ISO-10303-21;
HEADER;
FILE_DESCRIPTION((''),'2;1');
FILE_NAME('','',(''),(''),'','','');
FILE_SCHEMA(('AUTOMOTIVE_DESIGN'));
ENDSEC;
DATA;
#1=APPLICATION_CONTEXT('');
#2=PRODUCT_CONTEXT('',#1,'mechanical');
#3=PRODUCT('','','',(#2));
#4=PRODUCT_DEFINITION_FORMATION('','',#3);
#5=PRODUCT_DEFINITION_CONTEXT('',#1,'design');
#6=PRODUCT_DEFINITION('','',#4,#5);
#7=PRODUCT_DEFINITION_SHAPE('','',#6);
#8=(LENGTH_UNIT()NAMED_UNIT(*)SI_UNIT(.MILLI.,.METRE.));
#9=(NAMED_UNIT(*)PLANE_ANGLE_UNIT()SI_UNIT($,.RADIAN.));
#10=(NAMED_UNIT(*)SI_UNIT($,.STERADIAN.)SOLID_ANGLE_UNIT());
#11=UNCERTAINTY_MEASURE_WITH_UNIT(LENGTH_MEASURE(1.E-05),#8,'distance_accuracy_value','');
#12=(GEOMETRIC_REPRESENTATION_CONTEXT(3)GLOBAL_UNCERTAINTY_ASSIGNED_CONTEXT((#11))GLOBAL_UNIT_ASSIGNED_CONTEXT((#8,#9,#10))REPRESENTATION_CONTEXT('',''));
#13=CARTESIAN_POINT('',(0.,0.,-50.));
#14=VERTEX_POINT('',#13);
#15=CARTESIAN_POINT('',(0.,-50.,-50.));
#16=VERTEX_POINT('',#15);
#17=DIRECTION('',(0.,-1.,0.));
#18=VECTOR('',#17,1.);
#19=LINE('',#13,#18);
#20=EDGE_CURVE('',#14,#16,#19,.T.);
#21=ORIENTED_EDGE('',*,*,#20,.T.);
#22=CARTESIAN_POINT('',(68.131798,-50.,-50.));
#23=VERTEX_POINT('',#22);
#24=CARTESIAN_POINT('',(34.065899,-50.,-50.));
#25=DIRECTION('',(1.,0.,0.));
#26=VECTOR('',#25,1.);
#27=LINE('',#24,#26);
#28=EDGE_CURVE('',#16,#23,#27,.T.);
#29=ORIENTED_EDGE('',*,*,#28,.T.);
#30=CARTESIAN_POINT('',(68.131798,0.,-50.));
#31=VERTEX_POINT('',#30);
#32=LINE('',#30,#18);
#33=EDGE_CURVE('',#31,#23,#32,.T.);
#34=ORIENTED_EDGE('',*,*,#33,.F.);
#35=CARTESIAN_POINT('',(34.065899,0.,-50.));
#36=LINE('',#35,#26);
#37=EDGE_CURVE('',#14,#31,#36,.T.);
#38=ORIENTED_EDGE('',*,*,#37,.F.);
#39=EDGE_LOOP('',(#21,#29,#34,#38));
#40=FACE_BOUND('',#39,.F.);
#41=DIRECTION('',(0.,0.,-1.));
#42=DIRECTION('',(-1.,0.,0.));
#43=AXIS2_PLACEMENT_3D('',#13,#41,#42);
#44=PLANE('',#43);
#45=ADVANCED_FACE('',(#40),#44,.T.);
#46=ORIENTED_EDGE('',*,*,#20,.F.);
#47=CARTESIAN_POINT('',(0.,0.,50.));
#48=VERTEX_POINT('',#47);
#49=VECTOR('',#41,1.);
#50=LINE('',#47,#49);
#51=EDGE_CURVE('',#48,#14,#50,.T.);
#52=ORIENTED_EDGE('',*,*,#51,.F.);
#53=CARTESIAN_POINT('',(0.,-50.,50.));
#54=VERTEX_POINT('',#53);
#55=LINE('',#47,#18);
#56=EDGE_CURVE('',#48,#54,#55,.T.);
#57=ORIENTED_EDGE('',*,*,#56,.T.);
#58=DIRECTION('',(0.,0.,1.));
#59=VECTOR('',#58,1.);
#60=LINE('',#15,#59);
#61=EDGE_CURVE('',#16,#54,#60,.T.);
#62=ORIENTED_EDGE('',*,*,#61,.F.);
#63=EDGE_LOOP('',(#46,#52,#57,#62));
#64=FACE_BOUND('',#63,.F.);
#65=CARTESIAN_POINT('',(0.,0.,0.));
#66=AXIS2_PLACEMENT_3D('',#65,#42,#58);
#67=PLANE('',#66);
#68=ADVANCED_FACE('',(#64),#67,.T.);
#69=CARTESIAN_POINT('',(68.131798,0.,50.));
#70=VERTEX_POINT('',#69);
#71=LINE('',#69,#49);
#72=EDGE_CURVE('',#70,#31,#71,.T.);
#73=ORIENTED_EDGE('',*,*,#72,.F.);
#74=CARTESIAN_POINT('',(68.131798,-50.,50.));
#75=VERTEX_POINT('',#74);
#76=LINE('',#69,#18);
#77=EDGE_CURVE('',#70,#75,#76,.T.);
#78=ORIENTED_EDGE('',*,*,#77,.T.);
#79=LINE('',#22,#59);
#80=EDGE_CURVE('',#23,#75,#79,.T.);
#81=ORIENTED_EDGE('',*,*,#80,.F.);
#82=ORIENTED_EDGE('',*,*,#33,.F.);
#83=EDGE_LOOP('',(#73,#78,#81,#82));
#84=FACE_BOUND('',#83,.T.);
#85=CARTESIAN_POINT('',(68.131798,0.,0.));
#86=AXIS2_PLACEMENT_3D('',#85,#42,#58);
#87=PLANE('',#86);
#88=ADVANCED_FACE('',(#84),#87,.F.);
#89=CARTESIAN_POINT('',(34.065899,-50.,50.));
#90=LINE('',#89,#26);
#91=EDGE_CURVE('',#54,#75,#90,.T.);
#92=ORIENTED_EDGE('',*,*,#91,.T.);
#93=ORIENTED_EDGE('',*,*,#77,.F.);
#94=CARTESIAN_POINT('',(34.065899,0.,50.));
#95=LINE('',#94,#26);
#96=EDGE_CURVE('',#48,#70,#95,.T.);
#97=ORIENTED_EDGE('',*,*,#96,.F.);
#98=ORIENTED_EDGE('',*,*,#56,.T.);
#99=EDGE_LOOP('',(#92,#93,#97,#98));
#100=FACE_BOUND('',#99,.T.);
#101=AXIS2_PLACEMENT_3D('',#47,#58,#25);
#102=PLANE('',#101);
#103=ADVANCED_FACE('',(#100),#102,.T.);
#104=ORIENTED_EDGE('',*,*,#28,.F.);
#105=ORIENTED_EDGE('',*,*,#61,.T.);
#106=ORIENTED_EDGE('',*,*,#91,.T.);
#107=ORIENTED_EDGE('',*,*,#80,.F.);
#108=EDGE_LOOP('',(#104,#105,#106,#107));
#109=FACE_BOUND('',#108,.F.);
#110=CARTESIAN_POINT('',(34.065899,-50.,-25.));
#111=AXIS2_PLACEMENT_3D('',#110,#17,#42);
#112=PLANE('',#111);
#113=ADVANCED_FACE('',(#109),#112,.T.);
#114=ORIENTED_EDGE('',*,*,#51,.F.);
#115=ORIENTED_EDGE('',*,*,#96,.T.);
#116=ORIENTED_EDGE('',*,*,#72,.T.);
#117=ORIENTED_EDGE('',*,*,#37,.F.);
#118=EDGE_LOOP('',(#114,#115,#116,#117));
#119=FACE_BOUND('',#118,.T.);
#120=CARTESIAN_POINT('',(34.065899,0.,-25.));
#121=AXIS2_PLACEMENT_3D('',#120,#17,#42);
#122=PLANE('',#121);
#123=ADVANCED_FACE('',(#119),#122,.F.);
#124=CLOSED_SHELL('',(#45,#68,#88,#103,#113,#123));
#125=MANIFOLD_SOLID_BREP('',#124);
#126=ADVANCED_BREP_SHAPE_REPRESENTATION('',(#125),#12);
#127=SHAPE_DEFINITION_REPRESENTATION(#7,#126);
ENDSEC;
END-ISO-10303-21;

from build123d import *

# Parameters (mm, degrees)
F0_W     = 68.131798
F0_H     = 50
F1_DEPTH = 50


with BuildPart() as f1:
    # F0 (on Front) → F1 (new body)
    with BuildSketch(Plane.XZ):
        with Locations((34.065899, 25)):
            Rectangle(F0_W, F0_H)
    extrude(amount=F1_DEPTH)

    # F2: F1 across plane


with BuildPart() as f1_1:
    add(f1.part)
    add(f1.part.mirror(Plane.XY))


solid = f1_1.part
